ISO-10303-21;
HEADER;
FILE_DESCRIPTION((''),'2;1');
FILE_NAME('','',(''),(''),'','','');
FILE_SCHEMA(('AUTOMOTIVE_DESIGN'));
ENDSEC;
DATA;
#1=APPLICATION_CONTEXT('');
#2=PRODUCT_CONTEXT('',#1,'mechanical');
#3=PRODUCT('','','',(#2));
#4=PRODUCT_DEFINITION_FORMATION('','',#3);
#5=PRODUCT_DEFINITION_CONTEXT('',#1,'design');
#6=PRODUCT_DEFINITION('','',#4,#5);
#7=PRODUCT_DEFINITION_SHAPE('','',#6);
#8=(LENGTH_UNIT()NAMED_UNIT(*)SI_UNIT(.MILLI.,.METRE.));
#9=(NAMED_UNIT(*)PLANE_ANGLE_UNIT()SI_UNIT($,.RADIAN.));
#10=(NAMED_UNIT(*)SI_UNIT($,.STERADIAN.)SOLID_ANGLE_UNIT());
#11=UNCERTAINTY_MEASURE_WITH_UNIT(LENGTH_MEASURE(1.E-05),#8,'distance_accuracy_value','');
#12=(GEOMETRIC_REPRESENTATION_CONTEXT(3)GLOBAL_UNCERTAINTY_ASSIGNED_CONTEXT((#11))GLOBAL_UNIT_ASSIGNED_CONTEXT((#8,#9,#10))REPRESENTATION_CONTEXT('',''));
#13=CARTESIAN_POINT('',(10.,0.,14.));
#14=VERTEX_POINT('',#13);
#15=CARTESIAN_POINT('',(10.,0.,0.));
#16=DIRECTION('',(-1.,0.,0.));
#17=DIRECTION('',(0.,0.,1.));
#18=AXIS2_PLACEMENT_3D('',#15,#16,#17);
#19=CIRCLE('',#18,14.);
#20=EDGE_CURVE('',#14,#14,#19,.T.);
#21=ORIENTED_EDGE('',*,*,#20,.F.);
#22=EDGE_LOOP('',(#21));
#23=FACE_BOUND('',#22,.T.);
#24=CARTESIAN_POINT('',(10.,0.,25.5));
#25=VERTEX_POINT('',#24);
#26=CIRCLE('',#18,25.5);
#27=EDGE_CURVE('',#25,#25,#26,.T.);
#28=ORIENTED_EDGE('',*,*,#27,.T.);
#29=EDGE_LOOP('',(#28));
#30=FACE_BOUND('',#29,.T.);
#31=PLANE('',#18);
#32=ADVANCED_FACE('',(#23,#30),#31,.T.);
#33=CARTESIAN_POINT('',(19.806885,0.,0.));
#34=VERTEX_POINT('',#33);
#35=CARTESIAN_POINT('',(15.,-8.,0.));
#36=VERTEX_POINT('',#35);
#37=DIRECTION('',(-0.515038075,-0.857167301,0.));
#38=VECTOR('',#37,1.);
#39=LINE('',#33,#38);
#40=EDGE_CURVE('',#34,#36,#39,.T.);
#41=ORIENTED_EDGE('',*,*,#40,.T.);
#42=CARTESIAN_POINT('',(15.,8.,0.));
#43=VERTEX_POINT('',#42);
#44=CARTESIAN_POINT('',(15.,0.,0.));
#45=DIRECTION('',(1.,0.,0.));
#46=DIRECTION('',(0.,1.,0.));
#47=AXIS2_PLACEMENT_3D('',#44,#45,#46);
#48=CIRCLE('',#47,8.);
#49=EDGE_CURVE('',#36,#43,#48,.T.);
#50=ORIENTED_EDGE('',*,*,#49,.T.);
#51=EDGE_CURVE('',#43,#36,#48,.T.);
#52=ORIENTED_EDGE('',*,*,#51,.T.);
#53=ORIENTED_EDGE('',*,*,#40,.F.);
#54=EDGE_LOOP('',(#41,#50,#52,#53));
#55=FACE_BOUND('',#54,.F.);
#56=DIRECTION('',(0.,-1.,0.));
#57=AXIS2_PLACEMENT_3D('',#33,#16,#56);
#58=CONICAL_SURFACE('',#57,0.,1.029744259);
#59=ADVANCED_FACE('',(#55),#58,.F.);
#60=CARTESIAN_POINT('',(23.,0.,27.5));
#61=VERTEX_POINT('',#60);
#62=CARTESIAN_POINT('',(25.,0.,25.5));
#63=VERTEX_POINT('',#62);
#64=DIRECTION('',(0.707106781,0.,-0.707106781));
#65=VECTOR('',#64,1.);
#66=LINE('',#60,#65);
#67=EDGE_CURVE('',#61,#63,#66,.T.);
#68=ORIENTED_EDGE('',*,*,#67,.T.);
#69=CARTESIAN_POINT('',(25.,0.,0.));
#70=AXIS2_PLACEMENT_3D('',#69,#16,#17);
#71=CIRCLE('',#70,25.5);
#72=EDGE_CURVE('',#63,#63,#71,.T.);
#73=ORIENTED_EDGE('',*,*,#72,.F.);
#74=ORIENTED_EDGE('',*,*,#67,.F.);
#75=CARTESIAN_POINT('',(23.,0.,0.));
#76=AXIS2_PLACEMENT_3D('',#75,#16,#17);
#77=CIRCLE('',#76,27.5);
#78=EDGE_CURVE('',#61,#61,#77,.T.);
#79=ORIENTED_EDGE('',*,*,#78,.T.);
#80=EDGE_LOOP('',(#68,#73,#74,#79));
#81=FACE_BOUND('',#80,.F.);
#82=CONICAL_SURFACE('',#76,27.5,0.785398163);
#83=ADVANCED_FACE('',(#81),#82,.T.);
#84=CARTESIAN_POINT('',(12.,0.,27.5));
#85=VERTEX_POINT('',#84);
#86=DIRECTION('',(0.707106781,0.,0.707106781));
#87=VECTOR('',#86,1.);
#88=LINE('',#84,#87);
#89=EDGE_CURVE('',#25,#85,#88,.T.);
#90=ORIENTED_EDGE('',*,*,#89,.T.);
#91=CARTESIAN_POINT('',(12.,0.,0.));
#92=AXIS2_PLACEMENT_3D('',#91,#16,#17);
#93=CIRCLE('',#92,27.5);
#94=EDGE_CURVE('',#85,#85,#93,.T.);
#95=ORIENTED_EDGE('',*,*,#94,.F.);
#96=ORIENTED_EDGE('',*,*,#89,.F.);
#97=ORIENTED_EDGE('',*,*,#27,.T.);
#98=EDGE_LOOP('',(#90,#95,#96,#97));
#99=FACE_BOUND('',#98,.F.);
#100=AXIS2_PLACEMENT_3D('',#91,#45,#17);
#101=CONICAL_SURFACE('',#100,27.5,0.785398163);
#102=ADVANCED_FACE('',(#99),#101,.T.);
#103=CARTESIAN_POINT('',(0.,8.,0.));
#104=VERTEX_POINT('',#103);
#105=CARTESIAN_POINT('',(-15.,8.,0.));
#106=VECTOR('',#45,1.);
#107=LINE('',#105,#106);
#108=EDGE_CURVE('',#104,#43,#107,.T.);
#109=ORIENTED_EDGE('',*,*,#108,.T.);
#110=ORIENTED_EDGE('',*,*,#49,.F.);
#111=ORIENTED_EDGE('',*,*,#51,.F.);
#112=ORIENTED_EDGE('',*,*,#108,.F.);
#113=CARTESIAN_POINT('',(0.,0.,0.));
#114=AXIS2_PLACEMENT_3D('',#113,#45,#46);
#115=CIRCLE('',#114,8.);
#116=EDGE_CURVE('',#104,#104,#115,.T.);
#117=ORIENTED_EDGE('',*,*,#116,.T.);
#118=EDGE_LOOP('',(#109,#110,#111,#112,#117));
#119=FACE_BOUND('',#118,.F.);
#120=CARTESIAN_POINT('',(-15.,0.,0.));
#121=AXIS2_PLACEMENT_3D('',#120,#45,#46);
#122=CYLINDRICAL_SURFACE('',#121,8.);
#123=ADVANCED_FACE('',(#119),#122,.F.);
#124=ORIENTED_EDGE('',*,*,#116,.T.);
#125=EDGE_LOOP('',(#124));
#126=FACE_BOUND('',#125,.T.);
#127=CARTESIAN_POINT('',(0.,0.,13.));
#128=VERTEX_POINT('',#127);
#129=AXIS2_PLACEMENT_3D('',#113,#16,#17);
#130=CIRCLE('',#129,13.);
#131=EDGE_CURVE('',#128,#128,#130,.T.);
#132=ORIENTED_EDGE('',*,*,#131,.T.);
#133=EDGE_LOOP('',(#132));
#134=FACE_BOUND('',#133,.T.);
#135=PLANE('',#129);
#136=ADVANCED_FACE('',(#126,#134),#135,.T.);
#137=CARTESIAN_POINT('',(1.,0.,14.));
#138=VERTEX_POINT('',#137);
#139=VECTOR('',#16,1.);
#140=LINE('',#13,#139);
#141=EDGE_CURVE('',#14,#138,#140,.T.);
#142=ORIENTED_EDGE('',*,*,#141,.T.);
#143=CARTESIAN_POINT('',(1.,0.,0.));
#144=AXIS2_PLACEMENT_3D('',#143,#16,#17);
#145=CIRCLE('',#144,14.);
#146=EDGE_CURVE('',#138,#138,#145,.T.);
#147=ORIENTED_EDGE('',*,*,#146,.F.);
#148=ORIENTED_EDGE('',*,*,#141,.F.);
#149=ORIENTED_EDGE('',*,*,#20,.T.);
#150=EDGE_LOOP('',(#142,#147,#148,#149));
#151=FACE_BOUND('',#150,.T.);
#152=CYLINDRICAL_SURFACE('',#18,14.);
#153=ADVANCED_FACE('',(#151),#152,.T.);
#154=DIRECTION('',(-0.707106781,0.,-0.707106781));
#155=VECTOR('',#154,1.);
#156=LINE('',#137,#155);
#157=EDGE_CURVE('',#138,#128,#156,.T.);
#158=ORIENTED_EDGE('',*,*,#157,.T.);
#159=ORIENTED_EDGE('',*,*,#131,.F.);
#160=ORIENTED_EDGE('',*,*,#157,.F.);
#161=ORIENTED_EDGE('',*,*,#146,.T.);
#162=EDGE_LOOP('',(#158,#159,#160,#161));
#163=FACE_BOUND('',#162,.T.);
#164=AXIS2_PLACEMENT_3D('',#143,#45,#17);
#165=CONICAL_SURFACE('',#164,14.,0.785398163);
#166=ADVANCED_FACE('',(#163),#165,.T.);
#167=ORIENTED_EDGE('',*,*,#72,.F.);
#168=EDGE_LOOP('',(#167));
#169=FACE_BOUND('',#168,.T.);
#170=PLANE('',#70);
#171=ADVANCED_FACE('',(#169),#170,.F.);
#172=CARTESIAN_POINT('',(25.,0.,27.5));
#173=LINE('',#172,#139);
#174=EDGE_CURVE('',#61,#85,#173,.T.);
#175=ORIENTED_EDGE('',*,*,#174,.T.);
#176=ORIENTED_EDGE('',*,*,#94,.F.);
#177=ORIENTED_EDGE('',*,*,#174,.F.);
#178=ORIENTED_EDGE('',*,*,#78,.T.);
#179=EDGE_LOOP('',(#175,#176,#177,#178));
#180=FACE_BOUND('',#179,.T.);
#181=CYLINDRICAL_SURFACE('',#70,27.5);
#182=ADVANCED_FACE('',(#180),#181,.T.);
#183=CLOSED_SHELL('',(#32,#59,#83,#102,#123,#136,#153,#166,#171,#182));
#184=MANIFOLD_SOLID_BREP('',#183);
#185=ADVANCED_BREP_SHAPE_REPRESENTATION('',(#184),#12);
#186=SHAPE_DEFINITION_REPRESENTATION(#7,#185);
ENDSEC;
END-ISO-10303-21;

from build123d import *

# Parameters (mm, degrees)
F3_D     = 16
F3_DEPTH = 15
F3_TIP   = 4.8068849522
F4_SIZE  = 2
F5_SIZE  = 1


with BuildPart() as f1:
    # F0 (on Front) → F1 (revolve)
    with BuildSketch(Plane.XZ):
        Polygon((0, 14), (0, 0), (25, 0), (25, 27.5), (10, 27.5), (10, 14), align=None)
    revolve(axis=Axis((12.5, 0, 0), (-1, 0, 0)))

    # F3
    with Locations(Plane(origin=(0, 0, 0), x_dir=(0, -1, 0), z_dir=(-1, 0, 0))):
        with Locations((0, 0)):
            Hole(F3_D / 2, depth=F3_DEPTH)
            with Locations((0, 0, -(F3_DEPTH + F3_TIP / 2))):  # 118° drill point
                Cone(0, F3_D / 2, F3_TIP, mode=Mode.SUBTRACT)

    # F4
    f4_edges = [f1.edges().sort_by_distance(p)[0] for p in [
        (25, 0, -27.5),
        (10, 0, -27.5),
        (17.5, 0, 27.5),
    ]]
    chamfer(f4_edges, length=F4_SIZE)

    # F5
    f5_edges = [f1.edges().sort_by_distance(p)[0] for p in [
        (0, 0, -14),
    ]]
    chamfer(f5_edges, length=F5_SIZE)


solid = f1.part
